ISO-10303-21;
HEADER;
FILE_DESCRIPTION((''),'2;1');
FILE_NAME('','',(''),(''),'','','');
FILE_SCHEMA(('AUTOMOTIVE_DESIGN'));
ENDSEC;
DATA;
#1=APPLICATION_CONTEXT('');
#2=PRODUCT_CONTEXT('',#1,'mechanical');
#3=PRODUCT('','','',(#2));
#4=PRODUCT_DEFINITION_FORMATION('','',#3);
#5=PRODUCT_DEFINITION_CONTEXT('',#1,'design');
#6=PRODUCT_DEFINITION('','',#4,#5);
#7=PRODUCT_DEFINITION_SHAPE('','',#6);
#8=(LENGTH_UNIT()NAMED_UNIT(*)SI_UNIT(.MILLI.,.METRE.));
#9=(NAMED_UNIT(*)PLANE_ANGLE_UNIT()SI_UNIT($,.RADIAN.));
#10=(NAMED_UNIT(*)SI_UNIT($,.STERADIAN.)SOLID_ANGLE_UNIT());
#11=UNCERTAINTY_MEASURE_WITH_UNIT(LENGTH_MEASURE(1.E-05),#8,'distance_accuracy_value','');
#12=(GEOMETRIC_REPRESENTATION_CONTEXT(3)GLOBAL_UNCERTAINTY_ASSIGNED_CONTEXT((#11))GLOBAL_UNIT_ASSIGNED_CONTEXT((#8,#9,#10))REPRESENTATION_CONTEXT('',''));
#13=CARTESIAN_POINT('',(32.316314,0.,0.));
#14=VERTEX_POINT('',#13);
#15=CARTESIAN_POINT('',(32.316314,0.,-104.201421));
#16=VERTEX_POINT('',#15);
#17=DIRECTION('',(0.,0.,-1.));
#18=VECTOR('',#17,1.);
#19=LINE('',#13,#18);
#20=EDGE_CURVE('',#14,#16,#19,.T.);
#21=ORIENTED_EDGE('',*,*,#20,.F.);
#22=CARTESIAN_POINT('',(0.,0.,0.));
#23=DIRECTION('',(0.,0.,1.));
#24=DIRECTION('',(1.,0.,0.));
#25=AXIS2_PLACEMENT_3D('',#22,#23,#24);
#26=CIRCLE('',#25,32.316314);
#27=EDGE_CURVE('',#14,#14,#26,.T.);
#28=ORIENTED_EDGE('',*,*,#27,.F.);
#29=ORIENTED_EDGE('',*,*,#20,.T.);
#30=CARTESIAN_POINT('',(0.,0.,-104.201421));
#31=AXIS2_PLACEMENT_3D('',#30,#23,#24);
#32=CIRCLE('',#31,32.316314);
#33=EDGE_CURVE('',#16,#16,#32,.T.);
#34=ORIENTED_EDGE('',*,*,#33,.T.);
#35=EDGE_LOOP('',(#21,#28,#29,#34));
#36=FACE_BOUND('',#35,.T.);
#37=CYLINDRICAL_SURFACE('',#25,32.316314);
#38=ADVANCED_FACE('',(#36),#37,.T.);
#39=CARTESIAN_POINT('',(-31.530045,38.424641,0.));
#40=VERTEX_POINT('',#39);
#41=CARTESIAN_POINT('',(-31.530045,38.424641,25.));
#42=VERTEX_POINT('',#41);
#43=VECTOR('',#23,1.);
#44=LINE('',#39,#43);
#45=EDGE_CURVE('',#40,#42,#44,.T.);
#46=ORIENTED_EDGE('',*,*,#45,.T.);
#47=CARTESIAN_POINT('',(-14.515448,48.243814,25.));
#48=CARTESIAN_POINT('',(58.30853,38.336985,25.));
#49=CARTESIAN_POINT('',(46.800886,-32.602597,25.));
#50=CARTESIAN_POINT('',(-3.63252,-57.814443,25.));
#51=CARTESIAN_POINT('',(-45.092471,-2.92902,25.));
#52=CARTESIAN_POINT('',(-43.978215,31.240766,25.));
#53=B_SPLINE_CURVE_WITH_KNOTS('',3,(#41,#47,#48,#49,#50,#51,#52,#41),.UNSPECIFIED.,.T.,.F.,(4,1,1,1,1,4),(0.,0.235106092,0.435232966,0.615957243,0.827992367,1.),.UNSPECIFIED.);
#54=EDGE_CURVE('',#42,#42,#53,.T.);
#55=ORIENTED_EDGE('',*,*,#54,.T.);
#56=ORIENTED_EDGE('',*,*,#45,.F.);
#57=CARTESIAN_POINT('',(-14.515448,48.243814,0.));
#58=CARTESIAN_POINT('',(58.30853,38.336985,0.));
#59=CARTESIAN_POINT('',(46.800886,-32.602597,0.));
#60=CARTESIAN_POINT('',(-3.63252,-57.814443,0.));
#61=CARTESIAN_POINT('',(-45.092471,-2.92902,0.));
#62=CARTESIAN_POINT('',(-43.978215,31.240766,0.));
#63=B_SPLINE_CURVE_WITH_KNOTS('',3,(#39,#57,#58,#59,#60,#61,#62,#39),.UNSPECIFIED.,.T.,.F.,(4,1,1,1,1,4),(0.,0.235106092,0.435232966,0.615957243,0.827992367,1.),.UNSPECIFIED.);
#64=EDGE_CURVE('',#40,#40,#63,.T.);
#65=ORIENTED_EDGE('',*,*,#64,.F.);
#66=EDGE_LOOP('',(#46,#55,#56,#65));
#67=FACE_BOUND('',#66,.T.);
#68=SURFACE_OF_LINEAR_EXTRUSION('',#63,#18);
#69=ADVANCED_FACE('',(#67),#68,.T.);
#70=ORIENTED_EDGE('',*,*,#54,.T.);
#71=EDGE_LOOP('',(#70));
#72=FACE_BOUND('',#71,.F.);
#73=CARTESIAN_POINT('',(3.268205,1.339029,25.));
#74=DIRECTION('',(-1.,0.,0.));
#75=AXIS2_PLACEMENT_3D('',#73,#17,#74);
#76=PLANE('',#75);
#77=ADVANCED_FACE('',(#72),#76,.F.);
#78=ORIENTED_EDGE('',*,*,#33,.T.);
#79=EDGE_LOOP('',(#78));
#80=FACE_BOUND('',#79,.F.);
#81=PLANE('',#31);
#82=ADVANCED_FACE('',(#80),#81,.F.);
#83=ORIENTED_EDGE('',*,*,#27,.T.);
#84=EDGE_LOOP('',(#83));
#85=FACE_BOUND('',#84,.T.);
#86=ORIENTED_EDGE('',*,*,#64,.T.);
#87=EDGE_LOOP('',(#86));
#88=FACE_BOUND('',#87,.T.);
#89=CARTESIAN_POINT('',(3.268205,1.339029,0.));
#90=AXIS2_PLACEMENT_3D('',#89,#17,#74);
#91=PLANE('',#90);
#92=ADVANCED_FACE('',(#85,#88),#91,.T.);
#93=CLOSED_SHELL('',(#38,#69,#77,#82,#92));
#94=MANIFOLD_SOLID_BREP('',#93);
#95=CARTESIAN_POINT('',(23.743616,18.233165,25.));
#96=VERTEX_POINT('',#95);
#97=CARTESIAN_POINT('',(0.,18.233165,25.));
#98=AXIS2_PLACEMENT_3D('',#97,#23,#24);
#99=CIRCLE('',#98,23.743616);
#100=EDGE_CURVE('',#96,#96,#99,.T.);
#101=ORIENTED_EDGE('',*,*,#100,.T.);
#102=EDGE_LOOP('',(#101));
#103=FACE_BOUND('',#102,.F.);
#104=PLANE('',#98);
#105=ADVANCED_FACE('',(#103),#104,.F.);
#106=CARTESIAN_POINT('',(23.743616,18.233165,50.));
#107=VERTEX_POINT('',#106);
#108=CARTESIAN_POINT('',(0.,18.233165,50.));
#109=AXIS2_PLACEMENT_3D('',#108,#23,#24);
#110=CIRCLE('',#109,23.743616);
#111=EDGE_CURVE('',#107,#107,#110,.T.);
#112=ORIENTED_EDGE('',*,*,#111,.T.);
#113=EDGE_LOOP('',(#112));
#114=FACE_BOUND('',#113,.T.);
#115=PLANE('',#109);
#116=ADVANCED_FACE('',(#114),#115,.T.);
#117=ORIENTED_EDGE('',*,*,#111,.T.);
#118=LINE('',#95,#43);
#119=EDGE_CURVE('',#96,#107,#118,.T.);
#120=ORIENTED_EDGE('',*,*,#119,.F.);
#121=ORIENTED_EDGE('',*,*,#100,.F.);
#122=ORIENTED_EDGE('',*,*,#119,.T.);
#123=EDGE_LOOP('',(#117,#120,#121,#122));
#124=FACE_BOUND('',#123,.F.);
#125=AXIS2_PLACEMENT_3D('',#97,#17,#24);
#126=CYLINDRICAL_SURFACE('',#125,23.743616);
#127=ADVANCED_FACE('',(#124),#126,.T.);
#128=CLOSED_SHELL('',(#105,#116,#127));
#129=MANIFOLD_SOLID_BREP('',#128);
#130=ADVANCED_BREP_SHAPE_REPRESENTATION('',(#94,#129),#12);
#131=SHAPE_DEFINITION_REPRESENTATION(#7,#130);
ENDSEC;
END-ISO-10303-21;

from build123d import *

# Parameters (mm, degrees)
F1_DEPTH = 25
F2_R     = 23.7436163123
F3_DEPTH = 25
F4_R     = 32.3163135732
F5_DEPTH = 104.2014211416


with BuildPart() as f1:
    # F0 (on Top) → F1 (new body)
    with BuildSketch(Plane.XY):
        with BuildLine():
            add(Edge.make_bspline(
                [(-31.5300449729, 38.4246408939), (-14.5154483453, 48.2438142241), (58.3085299853, 38.3369845792), (46.8008862793, -32.6025966669), (-3.6325200242, -57.8144427513), (-45.0924706036, -2.9290200915), (-43.9782145032, 31.2407659578), (-31.5300449729, 38.4246408939)],
                knots=[0, 0, 0, 0, 0.2351060923, 0.4352329658, 0.6159572426, 0.8279923669, 1, 1, 1, 1], degree=3))
        make_face()
    extrude(amount=F1_DEPTH)

    # F4 (on Top) → F5 (join)
    with BuildSketch(Plane.XY):
        Circle(F4_R)
    extrude(amount=-F5_DEPTH)


with BuildPart() as f3:
    # F2 (on face) → F3 (new body)
    with BuildSketch(Plane.XY.offset(25)):
        with Locations((0, 18.2331651449)):
            Circle(F2_R)
    extrude(amount=F3_DEPTH)


solid = Compound([f1.part, f3.part])
